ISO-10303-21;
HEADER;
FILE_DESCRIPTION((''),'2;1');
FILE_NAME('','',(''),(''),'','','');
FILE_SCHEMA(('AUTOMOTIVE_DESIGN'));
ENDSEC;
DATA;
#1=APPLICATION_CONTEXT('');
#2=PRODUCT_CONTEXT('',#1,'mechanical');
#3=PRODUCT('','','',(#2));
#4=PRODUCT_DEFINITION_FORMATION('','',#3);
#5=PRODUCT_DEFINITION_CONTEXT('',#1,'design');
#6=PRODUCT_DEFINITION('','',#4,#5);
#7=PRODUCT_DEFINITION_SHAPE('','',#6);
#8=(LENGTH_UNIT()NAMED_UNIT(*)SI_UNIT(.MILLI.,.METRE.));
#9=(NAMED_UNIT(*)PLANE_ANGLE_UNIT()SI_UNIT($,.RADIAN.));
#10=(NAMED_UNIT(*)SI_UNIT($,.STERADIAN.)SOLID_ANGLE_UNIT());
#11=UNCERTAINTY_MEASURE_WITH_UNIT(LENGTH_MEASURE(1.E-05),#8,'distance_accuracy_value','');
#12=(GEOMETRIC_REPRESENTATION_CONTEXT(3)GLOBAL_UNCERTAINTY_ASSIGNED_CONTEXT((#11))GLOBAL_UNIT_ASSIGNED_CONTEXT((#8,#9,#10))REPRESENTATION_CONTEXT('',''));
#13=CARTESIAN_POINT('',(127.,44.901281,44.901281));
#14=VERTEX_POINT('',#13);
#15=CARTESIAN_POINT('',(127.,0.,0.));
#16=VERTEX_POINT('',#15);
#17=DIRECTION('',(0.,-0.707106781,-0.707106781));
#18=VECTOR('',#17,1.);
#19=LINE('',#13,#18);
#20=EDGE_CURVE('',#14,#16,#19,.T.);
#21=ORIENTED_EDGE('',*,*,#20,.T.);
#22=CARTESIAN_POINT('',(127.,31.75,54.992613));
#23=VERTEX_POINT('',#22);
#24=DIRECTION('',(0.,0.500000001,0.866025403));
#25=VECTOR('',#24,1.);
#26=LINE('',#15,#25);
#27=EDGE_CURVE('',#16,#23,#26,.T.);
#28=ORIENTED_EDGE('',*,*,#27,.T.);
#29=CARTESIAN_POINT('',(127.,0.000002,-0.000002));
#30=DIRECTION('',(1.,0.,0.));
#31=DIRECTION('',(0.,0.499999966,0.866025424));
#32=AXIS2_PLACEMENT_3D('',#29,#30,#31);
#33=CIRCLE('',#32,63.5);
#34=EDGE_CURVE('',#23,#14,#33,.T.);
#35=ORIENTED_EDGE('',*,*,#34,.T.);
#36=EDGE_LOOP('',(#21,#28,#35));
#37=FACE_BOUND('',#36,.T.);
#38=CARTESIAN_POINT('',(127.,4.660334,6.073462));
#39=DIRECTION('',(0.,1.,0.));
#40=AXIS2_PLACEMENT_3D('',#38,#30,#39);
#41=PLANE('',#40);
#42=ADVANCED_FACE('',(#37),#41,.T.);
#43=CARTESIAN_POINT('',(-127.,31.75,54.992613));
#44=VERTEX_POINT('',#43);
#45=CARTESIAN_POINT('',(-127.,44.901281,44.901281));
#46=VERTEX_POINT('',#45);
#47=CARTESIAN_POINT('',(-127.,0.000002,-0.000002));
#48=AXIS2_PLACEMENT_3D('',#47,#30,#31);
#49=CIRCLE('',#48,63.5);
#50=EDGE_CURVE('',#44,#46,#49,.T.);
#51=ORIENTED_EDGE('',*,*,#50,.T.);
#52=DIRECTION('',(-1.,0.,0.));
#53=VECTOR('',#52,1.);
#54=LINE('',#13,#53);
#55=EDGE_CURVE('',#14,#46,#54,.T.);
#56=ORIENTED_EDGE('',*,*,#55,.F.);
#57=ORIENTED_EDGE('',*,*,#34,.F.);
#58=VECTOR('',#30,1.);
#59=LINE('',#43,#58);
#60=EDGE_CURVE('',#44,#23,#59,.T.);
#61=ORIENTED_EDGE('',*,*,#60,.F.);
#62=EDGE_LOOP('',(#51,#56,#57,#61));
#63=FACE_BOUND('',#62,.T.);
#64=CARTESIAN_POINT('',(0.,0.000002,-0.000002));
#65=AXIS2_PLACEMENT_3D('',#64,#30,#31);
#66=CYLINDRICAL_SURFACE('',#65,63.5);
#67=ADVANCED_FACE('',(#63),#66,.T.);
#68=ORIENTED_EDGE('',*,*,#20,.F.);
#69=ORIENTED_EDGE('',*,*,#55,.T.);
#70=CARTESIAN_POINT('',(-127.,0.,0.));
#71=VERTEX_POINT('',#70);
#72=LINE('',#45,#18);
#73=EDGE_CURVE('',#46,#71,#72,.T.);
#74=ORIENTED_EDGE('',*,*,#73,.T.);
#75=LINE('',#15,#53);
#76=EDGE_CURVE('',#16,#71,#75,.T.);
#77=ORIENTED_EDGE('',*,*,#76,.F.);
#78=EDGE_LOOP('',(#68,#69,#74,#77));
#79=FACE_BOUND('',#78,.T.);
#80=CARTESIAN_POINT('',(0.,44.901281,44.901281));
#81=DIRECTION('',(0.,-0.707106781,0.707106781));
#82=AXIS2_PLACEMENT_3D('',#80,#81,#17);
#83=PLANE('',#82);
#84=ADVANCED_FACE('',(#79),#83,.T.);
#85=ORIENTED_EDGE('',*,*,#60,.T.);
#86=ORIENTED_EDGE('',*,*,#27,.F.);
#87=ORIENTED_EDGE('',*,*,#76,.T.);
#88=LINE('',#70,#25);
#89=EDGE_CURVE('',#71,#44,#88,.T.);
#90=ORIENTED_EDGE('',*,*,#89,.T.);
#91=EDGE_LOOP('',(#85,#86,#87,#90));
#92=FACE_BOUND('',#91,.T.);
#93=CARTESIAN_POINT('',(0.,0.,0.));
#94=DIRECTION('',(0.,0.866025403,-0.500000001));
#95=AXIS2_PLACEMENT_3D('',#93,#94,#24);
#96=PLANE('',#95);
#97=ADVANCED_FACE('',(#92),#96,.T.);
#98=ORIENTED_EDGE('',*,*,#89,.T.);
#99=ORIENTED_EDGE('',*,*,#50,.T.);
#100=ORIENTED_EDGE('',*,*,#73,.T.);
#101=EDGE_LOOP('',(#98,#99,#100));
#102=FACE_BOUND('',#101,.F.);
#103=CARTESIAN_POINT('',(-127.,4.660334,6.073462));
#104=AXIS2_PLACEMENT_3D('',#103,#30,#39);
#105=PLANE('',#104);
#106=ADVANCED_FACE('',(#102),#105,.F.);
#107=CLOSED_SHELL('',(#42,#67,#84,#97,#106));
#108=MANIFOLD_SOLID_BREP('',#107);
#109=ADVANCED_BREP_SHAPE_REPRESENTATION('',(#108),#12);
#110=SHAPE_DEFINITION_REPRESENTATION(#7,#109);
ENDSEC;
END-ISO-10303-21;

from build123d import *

# Parameters (mm, degrees)
F1_DEPTH      = 127
F1_DEPTH_BACK = 127


with BuildPart() as f1:
    # F0 (on Right) → F1 (new body, two sides)
    with BuildSketch(Plane.YZ) as f1_sk:
        with BuildLine():
            Line((0, 0), (31.75, 54.992613))
            ThreePointArc((31.75, 54.992613), (-38.656351, -50.377937), (44.901281, 44.901281))
            Line((44.901281, 44.901281), (0, 0))
        make_face()
    extrude(amount=F1_DEPTH)
    extrude(f1_sk.sketch, amount=-F1_DEPTH_BACK)


solid = f1.part
